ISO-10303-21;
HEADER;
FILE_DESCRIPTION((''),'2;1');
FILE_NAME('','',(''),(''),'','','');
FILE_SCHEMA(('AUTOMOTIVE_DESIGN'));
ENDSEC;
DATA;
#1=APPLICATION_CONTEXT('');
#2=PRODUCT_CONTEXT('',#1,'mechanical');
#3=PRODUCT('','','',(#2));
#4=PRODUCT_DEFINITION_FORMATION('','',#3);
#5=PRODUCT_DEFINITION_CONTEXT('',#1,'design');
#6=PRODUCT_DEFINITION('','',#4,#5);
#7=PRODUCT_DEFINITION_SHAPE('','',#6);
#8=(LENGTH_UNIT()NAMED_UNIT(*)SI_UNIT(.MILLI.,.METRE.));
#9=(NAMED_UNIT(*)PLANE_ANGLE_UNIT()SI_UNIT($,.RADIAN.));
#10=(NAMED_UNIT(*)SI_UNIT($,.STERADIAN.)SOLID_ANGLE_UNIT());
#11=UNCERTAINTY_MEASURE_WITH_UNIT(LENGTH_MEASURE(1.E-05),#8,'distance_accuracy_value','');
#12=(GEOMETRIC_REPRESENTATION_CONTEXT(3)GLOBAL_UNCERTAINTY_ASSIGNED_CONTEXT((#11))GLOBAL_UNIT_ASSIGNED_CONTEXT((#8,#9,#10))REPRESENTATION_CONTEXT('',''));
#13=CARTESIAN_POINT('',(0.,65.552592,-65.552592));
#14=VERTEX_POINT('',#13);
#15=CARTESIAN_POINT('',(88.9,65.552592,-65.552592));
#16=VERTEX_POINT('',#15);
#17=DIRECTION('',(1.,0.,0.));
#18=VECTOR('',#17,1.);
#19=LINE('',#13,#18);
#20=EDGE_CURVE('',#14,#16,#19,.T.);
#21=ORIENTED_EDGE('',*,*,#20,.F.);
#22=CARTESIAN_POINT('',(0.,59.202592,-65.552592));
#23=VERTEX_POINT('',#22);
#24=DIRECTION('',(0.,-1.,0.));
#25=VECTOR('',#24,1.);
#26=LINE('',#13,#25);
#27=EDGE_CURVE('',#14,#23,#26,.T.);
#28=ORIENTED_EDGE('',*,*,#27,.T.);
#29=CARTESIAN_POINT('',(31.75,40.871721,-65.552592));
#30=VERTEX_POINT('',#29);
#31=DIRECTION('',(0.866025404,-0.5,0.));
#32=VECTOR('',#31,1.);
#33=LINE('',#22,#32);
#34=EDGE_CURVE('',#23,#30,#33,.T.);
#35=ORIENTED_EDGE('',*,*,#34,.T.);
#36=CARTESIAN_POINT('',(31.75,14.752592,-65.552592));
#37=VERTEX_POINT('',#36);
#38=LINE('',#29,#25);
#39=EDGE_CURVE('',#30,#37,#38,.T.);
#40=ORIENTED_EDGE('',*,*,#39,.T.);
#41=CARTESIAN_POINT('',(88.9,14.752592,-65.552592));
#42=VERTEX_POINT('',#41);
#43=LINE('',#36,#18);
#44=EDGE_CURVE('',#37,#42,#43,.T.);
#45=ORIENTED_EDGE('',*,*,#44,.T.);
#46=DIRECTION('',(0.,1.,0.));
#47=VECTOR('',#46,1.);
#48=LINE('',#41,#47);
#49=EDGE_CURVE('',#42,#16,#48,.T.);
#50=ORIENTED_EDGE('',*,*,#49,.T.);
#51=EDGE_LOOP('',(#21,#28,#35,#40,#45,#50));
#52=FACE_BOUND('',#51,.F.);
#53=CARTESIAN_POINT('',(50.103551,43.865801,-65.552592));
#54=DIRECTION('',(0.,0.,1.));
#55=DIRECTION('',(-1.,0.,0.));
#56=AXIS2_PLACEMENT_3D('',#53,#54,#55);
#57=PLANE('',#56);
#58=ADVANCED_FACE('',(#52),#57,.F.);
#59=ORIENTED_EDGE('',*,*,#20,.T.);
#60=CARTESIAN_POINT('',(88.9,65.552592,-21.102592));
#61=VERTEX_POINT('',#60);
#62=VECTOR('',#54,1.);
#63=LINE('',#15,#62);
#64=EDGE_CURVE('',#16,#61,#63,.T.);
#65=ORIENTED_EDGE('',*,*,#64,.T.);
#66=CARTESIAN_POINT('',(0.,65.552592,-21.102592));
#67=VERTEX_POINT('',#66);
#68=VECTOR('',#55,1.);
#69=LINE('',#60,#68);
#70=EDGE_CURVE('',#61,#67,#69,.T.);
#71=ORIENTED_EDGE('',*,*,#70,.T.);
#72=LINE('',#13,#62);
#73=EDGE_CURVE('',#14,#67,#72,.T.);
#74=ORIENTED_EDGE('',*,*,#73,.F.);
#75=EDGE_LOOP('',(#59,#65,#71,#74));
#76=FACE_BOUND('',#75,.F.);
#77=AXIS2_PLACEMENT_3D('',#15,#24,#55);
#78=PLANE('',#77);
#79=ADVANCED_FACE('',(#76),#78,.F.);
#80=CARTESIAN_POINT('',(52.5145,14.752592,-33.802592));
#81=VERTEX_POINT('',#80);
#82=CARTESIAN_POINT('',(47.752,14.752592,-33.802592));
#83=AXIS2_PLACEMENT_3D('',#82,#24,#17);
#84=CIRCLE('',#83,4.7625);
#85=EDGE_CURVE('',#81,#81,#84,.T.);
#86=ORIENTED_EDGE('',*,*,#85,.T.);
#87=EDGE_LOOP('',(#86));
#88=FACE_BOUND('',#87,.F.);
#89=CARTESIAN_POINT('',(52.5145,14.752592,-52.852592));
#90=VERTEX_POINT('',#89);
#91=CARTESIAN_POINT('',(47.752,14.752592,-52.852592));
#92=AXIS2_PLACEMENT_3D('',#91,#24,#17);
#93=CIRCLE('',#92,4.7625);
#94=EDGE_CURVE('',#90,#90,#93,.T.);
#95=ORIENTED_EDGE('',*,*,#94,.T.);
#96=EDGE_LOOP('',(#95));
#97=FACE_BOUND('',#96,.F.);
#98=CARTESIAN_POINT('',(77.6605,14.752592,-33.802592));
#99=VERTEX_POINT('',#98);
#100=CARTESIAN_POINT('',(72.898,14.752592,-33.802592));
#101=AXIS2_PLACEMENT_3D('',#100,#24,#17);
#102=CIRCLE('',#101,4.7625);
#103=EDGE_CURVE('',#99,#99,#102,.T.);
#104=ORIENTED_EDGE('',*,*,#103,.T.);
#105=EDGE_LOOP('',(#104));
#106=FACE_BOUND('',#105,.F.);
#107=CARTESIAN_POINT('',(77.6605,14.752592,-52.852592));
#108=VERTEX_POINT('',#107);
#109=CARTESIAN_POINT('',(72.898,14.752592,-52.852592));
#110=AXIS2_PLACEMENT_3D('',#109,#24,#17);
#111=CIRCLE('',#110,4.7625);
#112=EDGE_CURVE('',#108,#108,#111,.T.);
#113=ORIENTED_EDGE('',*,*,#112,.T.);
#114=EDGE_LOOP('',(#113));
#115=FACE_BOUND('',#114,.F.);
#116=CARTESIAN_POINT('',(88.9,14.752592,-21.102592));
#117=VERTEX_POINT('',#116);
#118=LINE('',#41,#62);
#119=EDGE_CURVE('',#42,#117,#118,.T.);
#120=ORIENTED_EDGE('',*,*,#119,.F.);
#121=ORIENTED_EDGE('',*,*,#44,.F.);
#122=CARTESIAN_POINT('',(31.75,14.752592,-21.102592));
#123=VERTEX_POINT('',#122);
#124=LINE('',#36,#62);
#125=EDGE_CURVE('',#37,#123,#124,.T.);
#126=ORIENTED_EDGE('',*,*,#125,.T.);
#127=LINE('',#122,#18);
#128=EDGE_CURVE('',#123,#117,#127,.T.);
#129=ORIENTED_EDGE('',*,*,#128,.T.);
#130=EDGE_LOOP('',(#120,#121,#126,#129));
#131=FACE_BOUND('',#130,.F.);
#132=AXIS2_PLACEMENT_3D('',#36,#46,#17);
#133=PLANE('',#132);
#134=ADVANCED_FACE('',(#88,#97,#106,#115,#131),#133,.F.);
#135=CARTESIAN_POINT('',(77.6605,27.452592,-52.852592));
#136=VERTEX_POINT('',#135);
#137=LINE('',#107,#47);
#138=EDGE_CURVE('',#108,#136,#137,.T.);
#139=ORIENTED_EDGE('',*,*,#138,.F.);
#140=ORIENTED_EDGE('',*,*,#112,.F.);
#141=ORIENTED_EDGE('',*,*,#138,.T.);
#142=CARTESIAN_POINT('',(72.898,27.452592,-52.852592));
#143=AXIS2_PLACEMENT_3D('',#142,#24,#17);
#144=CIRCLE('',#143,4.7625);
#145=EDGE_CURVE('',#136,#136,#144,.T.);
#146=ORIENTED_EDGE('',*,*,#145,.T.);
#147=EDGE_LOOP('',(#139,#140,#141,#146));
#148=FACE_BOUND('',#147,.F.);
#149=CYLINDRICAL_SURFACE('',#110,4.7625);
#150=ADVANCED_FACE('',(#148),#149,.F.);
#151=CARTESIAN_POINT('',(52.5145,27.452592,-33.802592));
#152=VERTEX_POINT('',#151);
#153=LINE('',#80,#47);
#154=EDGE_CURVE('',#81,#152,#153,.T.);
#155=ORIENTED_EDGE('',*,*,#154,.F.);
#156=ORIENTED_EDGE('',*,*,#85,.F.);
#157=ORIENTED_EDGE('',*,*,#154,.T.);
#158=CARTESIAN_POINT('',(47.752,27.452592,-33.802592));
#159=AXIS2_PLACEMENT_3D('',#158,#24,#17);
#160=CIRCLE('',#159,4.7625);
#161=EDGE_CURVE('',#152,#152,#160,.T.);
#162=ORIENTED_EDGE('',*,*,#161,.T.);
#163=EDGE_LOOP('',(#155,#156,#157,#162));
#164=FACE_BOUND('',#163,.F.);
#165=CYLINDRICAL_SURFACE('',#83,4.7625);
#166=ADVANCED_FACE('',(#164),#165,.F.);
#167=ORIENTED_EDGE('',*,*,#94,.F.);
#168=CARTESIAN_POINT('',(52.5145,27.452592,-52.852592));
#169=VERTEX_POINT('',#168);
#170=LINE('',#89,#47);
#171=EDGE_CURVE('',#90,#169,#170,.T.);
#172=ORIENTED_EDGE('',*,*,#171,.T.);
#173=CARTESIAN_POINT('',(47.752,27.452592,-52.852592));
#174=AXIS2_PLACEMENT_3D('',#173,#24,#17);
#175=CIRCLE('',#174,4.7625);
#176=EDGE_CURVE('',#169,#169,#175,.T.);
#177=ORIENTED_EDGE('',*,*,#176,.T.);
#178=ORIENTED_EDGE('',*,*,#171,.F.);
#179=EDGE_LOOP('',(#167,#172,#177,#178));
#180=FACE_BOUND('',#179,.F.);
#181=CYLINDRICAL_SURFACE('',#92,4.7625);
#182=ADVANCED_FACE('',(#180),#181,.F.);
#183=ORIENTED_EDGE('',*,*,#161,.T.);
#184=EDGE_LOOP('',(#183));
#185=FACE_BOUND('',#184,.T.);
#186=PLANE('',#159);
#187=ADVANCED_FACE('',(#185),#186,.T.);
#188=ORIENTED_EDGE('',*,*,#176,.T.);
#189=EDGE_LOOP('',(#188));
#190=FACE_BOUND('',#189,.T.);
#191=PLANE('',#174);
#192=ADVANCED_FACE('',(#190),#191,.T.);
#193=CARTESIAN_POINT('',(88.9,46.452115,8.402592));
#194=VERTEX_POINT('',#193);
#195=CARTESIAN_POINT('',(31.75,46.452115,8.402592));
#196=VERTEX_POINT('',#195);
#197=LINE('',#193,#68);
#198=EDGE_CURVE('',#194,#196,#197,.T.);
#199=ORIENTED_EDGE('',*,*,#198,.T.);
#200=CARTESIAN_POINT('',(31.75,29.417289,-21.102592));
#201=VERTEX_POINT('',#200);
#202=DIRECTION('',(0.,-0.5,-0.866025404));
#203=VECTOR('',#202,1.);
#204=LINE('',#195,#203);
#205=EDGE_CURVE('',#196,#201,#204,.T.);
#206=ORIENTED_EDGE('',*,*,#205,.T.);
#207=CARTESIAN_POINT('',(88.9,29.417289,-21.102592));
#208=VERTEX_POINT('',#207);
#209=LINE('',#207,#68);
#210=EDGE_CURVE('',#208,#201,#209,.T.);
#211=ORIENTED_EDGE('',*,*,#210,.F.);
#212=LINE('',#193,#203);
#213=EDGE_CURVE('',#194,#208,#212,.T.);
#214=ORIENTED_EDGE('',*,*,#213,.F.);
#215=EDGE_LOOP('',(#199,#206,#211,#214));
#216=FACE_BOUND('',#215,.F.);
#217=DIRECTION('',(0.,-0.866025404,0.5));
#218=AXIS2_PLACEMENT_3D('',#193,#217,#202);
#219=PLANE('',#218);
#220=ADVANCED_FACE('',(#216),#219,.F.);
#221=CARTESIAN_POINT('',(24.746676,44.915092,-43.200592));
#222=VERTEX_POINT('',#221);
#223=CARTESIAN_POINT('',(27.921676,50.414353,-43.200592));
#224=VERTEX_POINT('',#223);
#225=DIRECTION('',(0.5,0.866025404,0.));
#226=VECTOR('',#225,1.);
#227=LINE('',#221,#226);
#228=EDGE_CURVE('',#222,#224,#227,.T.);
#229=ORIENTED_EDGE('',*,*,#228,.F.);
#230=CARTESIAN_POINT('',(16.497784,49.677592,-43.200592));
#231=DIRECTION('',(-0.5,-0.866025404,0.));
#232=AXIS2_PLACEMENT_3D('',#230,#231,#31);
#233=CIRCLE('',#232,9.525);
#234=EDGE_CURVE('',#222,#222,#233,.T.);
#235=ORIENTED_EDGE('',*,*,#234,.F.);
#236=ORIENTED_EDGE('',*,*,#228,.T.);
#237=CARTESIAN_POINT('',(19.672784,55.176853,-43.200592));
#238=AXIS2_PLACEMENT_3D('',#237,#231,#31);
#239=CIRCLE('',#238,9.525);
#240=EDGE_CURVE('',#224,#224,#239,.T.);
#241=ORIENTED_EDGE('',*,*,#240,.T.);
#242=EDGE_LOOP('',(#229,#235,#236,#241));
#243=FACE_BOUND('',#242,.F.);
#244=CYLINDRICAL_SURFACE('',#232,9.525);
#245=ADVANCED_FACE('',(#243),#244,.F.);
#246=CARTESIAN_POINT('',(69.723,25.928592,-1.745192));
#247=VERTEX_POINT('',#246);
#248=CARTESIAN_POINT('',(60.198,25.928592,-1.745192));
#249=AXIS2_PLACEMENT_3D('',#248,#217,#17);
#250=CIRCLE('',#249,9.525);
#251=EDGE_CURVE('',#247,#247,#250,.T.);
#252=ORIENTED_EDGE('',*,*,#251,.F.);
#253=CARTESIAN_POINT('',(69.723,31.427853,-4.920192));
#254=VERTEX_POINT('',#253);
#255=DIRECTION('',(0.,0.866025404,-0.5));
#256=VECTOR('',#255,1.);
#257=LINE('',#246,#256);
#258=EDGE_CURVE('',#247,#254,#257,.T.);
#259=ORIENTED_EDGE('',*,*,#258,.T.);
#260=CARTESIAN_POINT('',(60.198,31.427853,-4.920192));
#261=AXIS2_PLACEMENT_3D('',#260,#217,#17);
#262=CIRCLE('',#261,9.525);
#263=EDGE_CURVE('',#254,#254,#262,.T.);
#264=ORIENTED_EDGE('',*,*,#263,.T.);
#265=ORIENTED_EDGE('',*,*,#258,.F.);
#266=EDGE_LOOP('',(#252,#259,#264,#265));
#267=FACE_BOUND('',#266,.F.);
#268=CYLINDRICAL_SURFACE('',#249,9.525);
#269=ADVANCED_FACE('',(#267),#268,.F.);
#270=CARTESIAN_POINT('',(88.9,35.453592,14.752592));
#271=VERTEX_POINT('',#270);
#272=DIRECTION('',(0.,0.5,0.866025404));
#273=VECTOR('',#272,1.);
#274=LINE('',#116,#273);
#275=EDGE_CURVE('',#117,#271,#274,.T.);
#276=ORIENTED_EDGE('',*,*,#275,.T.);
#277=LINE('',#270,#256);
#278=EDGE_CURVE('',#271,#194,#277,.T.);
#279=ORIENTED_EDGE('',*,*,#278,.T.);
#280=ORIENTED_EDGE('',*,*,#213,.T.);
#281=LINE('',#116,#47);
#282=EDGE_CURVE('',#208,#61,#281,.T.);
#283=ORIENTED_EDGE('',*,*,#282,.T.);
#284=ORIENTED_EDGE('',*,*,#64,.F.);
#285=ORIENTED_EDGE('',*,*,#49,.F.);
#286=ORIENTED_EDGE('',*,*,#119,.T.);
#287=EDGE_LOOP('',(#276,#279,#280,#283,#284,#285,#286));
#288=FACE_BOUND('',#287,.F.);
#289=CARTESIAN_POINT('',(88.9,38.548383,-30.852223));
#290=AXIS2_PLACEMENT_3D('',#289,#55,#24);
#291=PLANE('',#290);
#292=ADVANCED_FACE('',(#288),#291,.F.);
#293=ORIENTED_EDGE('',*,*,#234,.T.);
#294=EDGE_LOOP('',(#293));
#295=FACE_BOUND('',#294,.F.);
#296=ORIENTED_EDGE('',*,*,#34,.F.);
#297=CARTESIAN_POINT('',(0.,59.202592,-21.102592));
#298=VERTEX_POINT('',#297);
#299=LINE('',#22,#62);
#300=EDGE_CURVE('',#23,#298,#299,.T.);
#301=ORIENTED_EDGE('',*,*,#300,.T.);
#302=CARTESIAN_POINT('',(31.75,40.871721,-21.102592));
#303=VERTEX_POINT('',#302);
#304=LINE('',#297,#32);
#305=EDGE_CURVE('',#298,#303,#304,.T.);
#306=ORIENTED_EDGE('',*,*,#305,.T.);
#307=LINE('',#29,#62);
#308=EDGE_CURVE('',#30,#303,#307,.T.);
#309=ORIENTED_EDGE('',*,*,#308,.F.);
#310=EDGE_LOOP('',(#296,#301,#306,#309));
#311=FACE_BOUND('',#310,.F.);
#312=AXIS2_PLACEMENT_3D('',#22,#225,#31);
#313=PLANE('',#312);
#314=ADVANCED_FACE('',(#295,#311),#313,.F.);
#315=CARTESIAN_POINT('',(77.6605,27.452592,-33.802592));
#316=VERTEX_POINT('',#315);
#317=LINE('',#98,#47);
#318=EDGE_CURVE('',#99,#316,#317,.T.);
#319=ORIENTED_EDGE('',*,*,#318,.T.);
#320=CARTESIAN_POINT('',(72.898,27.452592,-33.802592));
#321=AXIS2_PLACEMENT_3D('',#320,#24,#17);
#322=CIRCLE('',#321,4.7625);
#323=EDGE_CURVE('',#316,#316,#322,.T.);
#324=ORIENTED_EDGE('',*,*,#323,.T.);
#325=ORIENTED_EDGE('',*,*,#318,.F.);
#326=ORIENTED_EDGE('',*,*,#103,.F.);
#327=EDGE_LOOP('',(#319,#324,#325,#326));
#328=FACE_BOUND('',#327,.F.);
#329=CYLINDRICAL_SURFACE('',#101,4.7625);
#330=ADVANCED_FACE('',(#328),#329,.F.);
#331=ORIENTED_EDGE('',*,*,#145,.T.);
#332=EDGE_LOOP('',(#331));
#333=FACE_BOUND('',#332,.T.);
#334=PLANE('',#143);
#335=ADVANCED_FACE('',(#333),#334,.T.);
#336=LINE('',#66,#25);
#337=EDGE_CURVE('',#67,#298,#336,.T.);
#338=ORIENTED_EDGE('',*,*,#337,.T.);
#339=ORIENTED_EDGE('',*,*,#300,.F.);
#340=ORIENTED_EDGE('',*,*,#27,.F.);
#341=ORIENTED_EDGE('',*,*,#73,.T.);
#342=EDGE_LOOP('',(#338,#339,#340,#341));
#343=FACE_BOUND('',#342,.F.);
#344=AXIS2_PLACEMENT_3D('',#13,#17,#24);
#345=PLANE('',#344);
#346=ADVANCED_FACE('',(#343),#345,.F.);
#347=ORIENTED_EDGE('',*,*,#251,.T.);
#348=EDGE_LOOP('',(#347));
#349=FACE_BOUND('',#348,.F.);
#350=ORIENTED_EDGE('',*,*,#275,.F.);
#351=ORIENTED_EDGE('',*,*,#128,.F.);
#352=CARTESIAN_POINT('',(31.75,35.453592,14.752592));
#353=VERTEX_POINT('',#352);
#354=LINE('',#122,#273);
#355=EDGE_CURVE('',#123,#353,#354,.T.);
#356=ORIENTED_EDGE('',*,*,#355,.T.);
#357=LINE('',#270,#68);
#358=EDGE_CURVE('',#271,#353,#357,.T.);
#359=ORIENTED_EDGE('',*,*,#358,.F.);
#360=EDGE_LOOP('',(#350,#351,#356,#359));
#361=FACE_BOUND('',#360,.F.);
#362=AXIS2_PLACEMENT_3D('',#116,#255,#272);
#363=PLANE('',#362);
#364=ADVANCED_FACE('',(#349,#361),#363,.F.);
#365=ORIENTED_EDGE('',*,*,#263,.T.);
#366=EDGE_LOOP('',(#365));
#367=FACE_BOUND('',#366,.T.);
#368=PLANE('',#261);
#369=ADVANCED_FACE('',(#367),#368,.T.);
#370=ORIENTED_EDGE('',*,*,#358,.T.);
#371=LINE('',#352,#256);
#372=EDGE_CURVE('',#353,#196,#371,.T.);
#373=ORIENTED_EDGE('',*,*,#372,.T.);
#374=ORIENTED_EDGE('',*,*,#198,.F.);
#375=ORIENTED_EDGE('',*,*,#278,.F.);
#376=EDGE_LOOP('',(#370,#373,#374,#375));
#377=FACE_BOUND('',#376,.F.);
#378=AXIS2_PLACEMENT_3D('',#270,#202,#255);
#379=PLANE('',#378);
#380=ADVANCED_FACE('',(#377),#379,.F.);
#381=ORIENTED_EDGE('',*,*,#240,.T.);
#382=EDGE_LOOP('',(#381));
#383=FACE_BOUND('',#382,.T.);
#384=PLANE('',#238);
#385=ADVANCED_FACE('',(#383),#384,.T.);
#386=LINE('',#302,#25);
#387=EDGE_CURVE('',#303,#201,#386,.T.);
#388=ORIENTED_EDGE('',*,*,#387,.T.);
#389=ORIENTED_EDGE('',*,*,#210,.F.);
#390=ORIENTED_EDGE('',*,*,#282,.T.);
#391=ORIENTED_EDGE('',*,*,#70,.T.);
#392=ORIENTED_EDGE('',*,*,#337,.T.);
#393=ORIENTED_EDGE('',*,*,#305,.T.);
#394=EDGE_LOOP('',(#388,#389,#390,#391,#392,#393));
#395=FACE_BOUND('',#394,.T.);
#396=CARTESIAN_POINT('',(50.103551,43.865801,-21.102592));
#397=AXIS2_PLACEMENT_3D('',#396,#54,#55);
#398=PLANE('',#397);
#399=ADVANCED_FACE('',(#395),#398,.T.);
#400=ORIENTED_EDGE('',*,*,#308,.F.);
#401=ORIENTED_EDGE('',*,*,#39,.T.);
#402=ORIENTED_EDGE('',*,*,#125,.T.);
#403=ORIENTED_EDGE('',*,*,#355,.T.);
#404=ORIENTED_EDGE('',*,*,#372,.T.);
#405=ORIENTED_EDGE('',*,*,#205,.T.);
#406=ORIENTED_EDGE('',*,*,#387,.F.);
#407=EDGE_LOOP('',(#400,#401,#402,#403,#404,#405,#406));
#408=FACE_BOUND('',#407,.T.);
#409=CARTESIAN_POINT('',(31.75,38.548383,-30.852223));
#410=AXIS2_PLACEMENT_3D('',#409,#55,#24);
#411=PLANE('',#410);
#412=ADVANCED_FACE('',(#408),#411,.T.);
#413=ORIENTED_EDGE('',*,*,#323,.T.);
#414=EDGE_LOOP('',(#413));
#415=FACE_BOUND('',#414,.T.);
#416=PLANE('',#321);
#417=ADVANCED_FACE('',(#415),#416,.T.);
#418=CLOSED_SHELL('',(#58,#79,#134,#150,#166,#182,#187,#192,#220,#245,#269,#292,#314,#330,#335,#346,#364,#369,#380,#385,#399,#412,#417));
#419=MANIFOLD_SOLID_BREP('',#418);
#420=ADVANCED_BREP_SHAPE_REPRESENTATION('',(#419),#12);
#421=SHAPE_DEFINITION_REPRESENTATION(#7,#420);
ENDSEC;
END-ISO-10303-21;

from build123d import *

# Parameters (mm, degrees)
BOSS_EXTRUDE1_DEPTH   = 44.45
SKETCH3_R             = 9.525
CUT_EXTRUDE1_DEPTH    = 6.35
BOSS_EXTRUDE2_DEPTH   = 57.15
SKETCH5_R             = 9.525
CUT_EXTRUDE2_DEPTH    = 6.35
SKETCH6_R             = 4.7625
CUT_EXTRUDE3_DEPTH    = 12.7
BODY_MOVE_COPY1_ANGLE = 180


with BuildPart() as part:
    # Sketch1 → Boss-Extrude1 (new body)
    with BuildSketch(Plane(origin=(0, 0, 0), x_dir=(1, 0, 0), z_dir=(0, 1, 0))):
        Polygon((57.15, 0), (88.9, 0), (88.9, 6.35), (57.15, 24.680871047), (57.15, 50.8), (0, 50.8), (0, 0), align=None)
    extrude(amount=BOSS_EXTRUDE1_DEPTH)

    # Sketch3 → Cut-Extrude1 (cut)
    with BuildSketch(Plane(origin=(24.974630657, 0, -43.257329198), x_dir=(-0.866025404, 0, -0.5), z_dir=(0.5, 0, -0.866025404))):
        with Locations((-54.764658396, 22.352)):
            Circle(SKETCH3_R)
    extrude(amount=-CUT_EXTRUDE1_DEPTH, mode=Mode.SUBTRACT)

    # Sketch4 → Boss-Extrude2 (add)
    with BuildSketch(Plane.ZY):
        Polygon((-50.8, 44.45), (-30.099, 80.305183767), (-19.100477372, 73.955183767), (-36.135303163, 44.45), (0, 44.45), (0, 0), (-50.8, 0), align=None)
    extrude(amount=-BOSS_EXTRUDE2_DEPTH)

    # Sketch5 → Cut-Extrude2 (cut)
    with BuildSketch(Plane(origin=(0, 33.109545256, -57.347414599), x_dir=(-1, 0, 0), z_dir=(0, 0.5, -0.866025404))):
        with Locations((-28.702, 35.446829198)):
            Circle(SKETCH5_R)
    extrude(amount=-CUT_EXTRUDE2_DEPTH, mode=Mode.SUBTRACT)

    # Sketch6 → Cut-Extrude3 (cut)
    with BuildSketch(Plane(origin=(0, 0, -50.8), x_dir=(-1, 0, 0), z_dir=(0, 0, -1))):
        with Locations((-41.148, 31.75)):
            Circle(SKETCH6_R)
        with Locations((-16.002, 31.75)):
            Circle(SKETCH6_R)
        with Locations((-16.002, 12.7)):
            Circle(SKETCH6_R)
        with Locations((-41.148, 12.7)):
            Circle(SKETCH6_R)
    extrude(amount=-CUT_EXTRUDE3_DEPTH, mode=Mode.SUBTRACT)


with BuildPart() as part_1:
    # Body-Move/Copy1: moved
    add(part.part.moved(Location((0, 0, 0))).rotate(Axis((44.45, 32.776295942, -32.776295942), (0, 0.707106781, 0.707106781)), BODY_MOVE_COPY1_ANGLE))


solid = part_1.part
